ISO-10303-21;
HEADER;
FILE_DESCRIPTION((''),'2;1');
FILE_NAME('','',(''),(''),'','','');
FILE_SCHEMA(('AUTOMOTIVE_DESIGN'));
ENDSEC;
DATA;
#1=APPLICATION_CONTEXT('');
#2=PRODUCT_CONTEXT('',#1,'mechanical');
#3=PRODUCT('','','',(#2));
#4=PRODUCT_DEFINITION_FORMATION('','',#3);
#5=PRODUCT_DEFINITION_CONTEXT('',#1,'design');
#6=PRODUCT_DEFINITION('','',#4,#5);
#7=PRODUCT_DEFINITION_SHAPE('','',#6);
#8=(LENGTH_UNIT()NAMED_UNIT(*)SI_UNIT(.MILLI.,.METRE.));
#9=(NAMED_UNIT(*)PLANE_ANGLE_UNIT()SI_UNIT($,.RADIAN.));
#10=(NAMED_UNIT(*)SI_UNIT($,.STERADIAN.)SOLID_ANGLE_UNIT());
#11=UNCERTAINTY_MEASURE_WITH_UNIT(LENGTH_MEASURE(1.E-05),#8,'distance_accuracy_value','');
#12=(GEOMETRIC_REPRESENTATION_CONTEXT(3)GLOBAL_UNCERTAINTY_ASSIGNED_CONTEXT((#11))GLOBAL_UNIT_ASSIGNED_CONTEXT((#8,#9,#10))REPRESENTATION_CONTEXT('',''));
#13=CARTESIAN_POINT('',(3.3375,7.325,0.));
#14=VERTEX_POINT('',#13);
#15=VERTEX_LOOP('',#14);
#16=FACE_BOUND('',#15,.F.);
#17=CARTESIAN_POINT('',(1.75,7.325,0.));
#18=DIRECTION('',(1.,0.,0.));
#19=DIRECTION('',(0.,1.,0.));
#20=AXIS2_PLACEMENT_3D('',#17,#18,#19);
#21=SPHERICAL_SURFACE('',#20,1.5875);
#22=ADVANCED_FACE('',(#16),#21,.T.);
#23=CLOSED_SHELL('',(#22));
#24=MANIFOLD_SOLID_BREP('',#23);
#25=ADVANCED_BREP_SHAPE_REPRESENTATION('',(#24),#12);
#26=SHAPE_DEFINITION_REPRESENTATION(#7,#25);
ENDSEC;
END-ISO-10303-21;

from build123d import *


with BuildPart() as part:
    # Sketch1 → Revolve1 (revolve)
    with BuildSketch(Plane.XY):
        with BuildLine():
            Line((3.3375, 7.325), (0.1625, 7.325))
            ThreePointArc((0.1625, 7.325), (1.75, 8.9125), (3.3375, 7.325))
        make_face()
    revolve(axis=Axis((3.3375, 7.325, 0), (-1, 0, 0)))


solid = part.part
